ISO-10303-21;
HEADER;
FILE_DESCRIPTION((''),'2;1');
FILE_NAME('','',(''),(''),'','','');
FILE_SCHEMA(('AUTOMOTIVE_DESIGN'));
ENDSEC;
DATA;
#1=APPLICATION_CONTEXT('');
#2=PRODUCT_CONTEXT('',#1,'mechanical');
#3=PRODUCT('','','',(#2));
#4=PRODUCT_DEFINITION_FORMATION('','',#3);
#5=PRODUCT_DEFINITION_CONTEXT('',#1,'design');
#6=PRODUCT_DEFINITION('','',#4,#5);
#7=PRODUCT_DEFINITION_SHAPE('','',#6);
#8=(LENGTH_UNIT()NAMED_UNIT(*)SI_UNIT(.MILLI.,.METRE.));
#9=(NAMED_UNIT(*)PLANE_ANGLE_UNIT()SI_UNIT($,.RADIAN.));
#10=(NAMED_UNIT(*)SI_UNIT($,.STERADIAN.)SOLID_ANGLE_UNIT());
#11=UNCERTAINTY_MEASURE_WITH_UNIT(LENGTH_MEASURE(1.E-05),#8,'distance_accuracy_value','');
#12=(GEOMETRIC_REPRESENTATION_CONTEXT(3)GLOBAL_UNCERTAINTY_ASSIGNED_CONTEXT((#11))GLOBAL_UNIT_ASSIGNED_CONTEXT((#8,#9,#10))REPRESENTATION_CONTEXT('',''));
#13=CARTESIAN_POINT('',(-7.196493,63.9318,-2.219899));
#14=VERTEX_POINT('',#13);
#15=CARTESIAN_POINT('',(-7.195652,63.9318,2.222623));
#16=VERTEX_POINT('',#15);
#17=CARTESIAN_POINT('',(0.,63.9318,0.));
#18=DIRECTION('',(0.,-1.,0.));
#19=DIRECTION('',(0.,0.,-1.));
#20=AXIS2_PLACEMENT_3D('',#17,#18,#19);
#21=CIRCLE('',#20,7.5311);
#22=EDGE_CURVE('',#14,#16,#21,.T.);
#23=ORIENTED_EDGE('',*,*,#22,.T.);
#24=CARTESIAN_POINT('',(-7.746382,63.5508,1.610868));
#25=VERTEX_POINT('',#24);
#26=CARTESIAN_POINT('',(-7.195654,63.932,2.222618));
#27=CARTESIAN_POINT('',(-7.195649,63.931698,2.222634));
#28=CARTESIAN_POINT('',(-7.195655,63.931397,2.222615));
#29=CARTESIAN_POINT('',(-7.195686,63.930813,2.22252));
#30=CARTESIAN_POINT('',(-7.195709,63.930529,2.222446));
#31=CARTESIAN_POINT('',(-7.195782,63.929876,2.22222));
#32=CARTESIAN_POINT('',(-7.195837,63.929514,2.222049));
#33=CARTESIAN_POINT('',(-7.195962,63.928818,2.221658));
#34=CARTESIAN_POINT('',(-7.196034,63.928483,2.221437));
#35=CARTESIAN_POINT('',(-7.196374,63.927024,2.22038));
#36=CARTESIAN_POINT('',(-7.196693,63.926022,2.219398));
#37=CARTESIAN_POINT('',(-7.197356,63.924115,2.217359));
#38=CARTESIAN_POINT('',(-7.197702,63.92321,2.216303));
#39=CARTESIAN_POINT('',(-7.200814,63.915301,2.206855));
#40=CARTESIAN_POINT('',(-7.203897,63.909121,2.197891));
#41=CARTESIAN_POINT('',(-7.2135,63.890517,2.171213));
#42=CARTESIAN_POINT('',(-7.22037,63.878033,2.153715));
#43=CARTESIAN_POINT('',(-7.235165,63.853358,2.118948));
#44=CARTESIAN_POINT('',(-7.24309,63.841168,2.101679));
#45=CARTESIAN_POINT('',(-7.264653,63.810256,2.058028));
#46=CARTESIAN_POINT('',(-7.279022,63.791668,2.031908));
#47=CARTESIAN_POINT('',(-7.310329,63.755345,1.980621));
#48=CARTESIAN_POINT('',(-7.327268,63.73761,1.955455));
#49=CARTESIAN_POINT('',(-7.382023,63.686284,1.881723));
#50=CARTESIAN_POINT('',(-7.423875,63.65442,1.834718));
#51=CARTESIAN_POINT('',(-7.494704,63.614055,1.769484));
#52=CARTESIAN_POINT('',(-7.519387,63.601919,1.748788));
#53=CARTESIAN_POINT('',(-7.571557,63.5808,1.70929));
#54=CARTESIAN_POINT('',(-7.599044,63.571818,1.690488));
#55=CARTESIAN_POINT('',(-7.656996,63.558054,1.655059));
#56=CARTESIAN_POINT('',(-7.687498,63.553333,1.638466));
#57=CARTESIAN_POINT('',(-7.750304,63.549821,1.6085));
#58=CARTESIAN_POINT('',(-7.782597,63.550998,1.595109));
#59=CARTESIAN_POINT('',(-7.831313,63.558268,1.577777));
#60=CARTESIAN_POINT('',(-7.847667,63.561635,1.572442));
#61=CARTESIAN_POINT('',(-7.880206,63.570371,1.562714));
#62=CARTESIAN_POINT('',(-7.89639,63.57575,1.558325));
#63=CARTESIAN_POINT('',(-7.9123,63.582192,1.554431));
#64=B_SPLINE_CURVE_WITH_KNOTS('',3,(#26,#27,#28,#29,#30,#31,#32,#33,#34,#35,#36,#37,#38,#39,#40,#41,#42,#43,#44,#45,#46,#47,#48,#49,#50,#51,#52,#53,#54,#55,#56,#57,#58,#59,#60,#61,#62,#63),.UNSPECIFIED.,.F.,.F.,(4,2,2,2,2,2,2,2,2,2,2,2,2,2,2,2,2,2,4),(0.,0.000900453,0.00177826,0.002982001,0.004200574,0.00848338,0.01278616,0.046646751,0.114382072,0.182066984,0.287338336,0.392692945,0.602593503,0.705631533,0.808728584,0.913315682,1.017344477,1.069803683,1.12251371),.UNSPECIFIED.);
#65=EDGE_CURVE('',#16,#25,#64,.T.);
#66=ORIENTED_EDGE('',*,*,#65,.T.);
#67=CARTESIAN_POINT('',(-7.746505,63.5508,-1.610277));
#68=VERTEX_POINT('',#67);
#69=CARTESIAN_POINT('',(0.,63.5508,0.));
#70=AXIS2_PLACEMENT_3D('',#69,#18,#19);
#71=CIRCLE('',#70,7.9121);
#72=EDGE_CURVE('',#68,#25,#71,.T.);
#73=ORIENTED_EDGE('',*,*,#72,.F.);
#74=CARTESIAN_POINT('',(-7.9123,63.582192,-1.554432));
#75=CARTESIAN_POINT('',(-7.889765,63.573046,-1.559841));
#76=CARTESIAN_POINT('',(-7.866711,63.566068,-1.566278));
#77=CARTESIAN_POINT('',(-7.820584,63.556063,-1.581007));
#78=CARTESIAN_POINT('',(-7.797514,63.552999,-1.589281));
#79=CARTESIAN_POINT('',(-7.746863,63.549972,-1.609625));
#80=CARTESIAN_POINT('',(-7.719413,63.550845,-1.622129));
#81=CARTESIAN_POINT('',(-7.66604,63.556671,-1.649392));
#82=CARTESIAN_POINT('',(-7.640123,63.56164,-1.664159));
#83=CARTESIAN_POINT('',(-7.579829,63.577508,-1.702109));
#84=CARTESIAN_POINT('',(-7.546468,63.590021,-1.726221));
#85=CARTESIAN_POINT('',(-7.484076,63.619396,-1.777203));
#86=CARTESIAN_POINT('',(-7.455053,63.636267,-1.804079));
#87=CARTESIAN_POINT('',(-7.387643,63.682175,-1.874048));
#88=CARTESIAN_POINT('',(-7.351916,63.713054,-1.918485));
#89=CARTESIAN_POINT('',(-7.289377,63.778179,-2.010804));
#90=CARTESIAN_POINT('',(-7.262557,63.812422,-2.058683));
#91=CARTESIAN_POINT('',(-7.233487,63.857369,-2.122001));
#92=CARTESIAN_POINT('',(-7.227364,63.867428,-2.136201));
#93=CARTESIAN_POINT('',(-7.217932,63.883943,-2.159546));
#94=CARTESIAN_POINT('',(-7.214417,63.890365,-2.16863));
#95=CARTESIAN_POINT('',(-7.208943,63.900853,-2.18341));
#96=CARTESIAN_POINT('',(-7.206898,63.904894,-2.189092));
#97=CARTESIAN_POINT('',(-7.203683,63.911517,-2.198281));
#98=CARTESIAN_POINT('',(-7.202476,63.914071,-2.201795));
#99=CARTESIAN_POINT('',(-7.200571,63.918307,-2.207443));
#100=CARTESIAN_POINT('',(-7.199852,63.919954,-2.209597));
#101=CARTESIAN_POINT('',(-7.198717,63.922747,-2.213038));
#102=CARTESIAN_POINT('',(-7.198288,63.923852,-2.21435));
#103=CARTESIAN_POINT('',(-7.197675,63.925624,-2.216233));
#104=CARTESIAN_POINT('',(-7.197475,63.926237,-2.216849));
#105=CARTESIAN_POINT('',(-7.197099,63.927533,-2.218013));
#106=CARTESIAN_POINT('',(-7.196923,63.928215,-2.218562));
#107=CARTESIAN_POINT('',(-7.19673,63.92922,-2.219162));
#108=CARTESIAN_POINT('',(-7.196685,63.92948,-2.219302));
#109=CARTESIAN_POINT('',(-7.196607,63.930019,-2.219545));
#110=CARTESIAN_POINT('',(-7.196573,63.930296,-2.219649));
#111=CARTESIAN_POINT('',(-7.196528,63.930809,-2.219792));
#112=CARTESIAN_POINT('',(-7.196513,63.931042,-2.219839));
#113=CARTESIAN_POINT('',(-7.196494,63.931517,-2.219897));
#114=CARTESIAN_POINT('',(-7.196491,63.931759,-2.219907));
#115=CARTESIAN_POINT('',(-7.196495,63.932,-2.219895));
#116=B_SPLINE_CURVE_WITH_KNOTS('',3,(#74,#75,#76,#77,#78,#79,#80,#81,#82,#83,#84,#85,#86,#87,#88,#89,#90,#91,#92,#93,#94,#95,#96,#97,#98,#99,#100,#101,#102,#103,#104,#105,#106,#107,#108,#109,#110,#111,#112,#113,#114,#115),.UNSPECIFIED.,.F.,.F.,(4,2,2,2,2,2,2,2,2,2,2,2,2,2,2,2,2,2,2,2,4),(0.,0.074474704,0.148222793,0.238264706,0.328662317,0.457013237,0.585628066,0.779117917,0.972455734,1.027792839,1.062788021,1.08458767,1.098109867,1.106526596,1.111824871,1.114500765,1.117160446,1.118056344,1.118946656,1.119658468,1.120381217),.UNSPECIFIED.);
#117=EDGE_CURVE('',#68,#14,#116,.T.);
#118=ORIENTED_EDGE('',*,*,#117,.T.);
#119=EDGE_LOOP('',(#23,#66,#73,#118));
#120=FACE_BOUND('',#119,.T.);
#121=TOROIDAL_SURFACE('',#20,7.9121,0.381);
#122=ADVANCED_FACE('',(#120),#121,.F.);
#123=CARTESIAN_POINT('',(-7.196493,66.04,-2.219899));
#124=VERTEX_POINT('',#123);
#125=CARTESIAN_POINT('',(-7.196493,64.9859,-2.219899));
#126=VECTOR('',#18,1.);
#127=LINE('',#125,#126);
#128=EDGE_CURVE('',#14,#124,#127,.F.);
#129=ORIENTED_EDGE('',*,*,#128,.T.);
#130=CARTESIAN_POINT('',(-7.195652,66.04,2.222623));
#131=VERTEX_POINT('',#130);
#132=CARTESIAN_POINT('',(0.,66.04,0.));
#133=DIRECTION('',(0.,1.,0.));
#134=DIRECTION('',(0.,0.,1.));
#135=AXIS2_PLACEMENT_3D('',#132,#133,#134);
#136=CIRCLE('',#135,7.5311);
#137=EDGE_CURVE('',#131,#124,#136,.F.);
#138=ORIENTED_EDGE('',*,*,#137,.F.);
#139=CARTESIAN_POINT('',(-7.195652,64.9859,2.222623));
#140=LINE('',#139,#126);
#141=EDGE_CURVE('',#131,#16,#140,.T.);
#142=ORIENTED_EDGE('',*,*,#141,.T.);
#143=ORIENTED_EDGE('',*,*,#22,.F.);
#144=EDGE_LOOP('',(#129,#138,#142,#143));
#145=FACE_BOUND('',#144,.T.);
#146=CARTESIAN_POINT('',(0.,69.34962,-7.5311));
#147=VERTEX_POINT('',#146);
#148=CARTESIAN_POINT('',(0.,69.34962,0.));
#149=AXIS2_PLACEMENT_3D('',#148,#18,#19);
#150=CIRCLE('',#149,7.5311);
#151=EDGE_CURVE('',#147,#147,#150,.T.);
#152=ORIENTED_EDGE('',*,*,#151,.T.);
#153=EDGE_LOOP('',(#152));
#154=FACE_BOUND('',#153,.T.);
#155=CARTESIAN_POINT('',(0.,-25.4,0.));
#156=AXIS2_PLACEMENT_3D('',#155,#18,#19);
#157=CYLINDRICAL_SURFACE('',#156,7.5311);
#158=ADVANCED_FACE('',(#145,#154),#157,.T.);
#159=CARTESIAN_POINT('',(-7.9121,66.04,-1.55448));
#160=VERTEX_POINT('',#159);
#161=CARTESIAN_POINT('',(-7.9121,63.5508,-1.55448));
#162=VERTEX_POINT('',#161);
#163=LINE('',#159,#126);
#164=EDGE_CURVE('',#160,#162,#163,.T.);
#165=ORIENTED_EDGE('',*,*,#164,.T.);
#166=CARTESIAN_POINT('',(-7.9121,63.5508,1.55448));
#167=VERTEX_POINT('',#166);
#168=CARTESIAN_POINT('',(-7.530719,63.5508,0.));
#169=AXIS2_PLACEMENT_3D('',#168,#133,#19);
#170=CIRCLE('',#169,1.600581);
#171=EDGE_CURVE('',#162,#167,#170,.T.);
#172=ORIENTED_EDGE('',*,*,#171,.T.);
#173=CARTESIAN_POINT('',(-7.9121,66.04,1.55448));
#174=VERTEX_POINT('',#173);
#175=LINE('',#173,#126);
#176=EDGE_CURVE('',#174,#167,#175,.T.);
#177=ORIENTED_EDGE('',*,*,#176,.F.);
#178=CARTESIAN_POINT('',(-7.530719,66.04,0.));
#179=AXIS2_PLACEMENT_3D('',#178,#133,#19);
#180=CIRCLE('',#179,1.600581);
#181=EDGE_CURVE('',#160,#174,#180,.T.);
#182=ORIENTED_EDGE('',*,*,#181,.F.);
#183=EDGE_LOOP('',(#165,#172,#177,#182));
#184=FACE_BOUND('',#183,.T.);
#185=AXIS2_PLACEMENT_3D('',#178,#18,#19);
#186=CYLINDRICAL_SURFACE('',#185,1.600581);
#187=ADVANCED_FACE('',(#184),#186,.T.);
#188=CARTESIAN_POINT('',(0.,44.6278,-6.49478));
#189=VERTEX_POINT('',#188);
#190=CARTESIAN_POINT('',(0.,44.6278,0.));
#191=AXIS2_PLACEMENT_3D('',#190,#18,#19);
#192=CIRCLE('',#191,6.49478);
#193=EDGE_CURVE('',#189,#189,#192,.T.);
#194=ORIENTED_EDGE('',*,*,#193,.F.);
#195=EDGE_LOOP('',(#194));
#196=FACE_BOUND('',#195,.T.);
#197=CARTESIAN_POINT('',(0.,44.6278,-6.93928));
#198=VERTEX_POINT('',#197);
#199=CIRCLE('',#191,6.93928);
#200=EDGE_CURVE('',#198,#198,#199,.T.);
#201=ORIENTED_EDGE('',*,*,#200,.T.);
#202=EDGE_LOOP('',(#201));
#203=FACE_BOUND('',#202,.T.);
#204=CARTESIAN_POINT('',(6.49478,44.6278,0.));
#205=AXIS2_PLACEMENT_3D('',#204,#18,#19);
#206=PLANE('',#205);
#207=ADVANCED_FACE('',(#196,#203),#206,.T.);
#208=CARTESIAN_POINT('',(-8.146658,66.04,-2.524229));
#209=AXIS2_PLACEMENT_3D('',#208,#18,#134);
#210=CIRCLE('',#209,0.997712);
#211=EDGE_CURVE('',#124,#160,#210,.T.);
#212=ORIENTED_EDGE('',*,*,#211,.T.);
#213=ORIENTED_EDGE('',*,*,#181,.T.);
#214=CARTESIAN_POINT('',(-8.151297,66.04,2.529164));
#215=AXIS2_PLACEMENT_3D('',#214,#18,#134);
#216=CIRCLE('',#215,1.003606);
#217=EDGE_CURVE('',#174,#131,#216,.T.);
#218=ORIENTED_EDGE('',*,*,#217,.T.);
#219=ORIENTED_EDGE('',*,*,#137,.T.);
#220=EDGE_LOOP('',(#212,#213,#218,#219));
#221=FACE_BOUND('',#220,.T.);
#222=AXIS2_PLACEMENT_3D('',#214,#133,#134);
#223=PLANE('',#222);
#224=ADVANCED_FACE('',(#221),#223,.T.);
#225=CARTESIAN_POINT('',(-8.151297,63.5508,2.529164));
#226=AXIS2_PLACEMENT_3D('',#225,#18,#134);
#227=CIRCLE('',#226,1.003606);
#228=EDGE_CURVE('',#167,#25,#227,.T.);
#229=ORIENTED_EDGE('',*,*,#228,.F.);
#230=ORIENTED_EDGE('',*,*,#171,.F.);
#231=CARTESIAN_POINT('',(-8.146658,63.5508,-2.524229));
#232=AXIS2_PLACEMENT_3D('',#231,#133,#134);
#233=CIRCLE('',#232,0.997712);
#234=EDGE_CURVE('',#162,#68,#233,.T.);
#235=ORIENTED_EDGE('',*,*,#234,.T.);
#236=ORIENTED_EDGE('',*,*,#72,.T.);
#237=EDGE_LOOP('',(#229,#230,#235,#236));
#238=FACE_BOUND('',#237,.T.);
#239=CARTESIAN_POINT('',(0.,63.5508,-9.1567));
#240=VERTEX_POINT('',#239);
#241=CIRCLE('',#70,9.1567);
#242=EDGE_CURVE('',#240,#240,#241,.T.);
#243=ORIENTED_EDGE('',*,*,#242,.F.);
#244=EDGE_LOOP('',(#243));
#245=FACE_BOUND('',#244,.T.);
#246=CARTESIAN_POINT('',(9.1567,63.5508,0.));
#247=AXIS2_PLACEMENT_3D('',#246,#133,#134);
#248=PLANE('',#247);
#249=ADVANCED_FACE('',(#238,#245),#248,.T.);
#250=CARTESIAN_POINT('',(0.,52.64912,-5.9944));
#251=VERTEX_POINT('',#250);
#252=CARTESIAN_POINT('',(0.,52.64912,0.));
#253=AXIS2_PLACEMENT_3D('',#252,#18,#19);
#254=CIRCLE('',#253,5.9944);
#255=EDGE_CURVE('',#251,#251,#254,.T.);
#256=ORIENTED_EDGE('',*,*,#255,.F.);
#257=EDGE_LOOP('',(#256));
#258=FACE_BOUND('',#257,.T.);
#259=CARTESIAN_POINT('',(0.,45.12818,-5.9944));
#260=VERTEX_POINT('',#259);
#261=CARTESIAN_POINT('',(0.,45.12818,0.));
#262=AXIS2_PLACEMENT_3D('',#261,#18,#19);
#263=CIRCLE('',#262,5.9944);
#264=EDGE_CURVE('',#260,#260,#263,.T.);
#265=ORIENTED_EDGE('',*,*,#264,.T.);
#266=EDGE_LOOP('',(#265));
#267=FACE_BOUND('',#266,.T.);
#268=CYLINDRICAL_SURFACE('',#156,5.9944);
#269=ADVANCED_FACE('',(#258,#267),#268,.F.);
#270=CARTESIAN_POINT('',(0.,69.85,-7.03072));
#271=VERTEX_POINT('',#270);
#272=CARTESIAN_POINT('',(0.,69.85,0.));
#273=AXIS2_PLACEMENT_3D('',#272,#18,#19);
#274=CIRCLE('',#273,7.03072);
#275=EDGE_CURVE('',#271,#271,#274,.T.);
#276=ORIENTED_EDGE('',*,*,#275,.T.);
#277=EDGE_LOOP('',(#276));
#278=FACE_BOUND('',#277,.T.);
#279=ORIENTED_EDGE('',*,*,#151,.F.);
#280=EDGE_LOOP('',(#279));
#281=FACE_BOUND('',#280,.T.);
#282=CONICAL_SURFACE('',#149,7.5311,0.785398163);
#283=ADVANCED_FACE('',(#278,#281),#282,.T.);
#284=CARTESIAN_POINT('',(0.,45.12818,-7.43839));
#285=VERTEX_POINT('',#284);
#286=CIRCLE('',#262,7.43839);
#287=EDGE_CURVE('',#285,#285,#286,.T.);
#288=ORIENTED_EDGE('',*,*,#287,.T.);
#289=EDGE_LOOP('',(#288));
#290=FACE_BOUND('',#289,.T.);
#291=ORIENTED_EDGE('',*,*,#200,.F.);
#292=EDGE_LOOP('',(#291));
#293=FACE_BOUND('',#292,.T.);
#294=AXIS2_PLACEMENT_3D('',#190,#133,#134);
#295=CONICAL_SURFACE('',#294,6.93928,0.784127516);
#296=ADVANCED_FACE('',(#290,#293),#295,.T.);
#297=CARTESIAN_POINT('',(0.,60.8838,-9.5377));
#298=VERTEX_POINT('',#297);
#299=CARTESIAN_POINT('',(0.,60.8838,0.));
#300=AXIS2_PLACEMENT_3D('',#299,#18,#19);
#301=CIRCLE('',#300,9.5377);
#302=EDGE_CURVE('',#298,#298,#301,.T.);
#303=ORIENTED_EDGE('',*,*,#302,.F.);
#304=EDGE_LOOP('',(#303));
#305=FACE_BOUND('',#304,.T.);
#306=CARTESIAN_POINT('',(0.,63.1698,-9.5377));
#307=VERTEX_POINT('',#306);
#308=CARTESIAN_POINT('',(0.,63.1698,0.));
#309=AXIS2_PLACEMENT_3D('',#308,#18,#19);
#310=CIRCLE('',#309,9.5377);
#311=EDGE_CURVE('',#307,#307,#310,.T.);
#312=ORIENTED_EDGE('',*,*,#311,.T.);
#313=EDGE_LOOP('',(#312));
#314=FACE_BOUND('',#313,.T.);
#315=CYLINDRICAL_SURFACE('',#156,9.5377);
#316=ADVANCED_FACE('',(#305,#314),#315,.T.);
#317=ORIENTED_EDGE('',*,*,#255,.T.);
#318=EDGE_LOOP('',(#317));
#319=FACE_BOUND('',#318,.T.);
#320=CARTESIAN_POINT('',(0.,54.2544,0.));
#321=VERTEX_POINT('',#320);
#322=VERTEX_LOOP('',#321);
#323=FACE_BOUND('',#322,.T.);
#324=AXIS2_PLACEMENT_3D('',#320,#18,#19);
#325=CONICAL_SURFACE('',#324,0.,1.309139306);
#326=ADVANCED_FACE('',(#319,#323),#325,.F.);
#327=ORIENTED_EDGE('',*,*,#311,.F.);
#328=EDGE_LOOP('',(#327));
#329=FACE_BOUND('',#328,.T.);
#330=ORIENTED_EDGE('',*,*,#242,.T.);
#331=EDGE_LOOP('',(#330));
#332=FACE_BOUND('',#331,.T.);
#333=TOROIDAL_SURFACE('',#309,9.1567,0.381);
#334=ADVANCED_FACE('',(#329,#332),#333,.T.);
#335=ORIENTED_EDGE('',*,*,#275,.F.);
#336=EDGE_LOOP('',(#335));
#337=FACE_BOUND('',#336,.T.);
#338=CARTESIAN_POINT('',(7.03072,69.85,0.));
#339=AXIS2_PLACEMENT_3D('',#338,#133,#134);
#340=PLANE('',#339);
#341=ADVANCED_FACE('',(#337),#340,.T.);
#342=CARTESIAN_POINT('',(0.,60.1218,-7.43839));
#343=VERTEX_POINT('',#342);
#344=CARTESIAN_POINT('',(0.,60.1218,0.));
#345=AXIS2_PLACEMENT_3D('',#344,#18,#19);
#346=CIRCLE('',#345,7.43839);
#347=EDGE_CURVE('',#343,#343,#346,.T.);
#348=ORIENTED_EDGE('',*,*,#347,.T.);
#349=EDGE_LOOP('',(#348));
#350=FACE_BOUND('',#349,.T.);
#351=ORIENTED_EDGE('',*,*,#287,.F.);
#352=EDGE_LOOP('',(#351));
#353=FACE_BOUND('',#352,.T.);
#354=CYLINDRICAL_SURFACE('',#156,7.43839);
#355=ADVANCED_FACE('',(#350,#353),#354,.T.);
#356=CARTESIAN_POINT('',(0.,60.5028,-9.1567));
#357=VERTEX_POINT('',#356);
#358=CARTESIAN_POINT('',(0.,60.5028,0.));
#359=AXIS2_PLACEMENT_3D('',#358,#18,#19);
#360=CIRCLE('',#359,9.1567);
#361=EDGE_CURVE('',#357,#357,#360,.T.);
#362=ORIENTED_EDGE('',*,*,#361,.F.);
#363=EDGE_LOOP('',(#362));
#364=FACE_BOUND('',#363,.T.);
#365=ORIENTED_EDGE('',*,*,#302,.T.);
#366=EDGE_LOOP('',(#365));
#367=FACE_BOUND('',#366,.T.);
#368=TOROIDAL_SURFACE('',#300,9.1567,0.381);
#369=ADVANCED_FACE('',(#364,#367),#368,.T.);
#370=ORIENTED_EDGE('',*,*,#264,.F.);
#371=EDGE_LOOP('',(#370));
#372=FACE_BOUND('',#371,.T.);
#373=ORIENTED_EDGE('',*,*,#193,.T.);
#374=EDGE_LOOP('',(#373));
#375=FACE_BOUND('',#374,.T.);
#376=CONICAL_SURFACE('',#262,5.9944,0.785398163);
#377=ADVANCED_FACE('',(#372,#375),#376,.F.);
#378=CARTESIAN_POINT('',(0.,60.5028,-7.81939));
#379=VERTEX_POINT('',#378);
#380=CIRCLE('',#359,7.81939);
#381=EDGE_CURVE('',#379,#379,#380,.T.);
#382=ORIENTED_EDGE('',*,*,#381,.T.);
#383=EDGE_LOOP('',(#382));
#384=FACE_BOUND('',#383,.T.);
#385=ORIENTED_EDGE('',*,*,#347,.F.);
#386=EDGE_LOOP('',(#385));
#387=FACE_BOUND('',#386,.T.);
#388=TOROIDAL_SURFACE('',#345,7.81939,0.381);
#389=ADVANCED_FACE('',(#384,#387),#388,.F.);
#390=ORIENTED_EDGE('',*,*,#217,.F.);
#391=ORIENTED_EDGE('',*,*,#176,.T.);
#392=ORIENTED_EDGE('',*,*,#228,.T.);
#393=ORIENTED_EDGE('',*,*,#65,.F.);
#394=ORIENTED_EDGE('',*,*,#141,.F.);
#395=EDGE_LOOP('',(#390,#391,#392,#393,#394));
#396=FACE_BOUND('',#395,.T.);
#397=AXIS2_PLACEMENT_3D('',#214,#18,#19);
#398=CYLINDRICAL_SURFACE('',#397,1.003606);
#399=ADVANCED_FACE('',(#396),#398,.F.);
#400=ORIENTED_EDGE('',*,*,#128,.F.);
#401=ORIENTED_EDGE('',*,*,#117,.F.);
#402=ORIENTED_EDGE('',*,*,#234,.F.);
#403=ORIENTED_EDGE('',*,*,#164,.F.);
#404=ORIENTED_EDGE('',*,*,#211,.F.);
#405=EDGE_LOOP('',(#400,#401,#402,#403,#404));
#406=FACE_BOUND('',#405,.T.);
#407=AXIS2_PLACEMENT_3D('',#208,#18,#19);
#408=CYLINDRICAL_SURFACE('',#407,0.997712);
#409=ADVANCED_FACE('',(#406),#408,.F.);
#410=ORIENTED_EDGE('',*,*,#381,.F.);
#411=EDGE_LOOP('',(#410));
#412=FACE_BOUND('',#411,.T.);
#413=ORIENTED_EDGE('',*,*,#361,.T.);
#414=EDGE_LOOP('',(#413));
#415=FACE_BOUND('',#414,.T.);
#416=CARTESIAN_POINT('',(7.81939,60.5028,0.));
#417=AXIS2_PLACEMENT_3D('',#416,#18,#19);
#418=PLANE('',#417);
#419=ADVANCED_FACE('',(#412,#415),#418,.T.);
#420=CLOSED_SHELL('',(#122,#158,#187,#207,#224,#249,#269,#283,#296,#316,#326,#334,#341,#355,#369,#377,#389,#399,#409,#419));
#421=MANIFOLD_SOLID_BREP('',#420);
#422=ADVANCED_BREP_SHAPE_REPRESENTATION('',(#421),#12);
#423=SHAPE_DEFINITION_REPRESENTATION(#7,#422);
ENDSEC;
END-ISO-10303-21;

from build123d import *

# Parameters (mm, degrees)
EXT_LUG_DEPTH = 2.4892


with BuildPart() as part:
    # Sk_kingpin_section → Rev_kingpin (revolve)
    with BuildSketch(Plane.XY, mode=Mode.PRIVATE) as rev_kingpin_sk:
        with BuildLine():
            Line((0, 54.2544), (5.9944, 52.64912))
            Line((5.9944, 52.64912), (5.9944, 45.12818))
            Line((5.9944, 45.12818), (6.49478, 44.6278))
            Line((6.49478, 44.6278), (6.93928, 44.6278))
            Line((6.93928, 44.6278), (7.43839, 45.12818))
            Line((7.43839, 45.12818), (7.43839, 60.1218))
            ThreePointArc((7.43839, 60.1218), (7.549982316, 60.391207684), (7.81939, 60.5028))
            Line((7.81939, 60.5028), (9.1567, 60.5028))
            ThreePointArc((9.1567, 60.5028), (9.426107684, 60.614392316), (9.5377, 60.8838))
            Line((9.5377, 60.8838), (9.5377, 63.1698))
            ThreePointArc((9.5377, 63.1698), (9.426107684, 63.439207684), (9.1567, 63.5508))
            Line((9.1567, 63.5508), (7.9121, 63.5508))
            ThreePointArc((7.9121, 63.5508), (7.642692316, 63.662392316), (7.5311, 63.9318))
            Line((7.5311, 63.9318), (7.5311, 69.34962))
            Line((7.5311, 69.34962), (7.03072, 69.85))
            Line((7.03072, 69.85), (0, 69.85))
            Line((0, 69.85), (0, 54.2544))
        make_face()
    revolve(rev_kingpin_sk.sketch.rotate(Axis((0, -25.4, 0), (0, 1, 0)), 90), axis=Axis((0, -25.4, 0), (0, 1, 0)))

    # Sk_lug → Ext_lug (add)
    with BuildSketch(Plane(origin=(0, 63.5508, 0), x_dir=(1, 0, 0), z_dir=(0, 1, 0))):
        with BuildLine():
            Line((-7.19328, 2.23012), (-7.19328, -2.23012))
            ThreePointArc((-7.19328, -2.23012), (-7.46394509, -1.797883422), (-7.9121, -1.55448))
            ThreePointArc((-7.9121, -1.55448), (-9.1313, 0), (-7.9121, 1.55448))
            ThreePointArc((-7.9121, 1.55448), (-7.463342343, 1.797242155), (-7.19328, 2.23012))
        make_face()
    extrude(amount=EXT_LUG_DEPTH)


solid = part.part
